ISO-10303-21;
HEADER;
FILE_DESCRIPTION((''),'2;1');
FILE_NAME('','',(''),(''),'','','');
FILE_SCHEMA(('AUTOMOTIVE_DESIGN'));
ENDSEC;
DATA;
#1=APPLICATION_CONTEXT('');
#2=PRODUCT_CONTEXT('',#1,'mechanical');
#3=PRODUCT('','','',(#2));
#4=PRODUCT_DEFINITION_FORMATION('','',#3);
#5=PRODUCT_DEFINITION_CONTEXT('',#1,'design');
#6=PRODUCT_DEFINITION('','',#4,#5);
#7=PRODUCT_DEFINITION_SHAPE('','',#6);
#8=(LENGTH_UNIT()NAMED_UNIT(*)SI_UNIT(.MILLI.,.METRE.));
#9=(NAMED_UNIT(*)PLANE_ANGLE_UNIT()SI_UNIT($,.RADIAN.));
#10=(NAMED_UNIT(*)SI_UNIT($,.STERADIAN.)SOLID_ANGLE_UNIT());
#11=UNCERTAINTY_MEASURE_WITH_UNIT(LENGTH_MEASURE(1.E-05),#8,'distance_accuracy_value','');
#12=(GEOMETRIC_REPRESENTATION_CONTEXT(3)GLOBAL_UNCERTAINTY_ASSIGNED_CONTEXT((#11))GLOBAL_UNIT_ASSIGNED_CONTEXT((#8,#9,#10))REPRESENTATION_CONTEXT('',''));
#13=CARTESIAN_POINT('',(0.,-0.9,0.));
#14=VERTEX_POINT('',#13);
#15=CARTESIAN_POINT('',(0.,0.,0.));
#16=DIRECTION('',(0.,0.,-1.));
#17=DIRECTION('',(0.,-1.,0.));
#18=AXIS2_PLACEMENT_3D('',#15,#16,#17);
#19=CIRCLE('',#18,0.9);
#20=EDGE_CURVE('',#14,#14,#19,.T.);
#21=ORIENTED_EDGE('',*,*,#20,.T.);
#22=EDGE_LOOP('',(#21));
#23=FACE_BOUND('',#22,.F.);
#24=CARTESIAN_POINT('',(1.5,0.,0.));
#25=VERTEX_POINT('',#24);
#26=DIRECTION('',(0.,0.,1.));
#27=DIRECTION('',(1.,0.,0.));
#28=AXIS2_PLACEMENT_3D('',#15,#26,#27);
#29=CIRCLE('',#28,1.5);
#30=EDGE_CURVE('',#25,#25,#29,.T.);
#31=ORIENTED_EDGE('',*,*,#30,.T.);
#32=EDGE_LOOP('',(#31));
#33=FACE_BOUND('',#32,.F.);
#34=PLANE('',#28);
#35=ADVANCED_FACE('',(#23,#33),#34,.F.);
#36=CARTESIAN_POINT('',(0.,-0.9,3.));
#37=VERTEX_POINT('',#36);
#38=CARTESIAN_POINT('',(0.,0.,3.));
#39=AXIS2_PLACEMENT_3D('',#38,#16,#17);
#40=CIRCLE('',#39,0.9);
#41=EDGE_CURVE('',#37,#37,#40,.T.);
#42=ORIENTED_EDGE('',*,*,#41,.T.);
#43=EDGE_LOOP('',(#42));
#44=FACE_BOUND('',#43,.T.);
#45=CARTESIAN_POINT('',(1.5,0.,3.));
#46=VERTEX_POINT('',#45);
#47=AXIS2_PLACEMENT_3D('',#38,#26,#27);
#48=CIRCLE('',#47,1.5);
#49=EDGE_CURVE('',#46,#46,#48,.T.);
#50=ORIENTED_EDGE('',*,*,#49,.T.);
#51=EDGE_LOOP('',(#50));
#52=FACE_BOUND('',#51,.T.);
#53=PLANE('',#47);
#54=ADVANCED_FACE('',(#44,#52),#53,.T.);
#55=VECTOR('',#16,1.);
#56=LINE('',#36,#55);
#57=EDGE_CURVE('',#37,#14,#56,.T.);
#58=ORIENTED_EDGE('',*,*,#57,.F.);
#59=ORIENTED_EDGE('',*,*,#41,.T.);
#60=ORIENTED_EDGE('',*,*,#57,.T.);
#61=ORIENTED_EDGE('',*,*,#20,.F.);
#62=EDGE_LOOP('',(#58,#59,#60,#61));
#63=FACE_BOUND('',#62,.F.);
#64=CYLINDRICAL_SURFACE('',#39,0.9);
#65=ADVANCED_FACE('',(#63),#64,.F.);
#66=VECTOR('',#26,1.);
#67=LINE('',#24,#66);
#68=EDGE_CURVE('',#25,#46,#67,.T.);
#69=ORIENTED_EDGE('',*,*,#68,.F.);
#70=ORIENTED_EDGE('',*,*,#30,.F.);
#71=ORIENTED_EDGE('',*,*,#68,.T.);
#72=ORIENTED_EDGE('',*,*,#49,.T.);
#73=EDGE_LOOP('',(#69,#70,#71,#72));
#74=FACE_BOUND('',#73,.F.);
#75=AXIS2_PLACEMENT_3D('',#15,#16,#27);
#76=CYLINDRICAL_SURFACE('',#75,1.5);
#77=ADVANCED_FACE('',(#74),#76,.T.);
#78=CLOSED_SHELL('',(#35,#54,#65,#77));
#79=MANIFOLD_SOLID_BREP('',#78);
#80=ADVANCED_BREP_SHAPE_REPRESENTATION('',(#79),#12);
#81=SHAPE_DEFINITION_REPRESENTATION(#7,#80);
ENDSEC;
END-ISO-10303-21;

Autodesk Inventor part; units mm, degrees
ref_plane "YZ Plane" through (0, 0, 0) normal (1, 0, 0) x (0, 1, 0)
ref_plane "XZ Plane" through (0, 0, 0) normal (0, 1, 0) x (-1, 0, 0)
ref_plane "XY Plane" through (0, 0, 0) normal (0, 0, 1) x (1, 0, 0)
sketch "スケッチ1" plane through (0, 0, 0) normal (0, 0, 1) x (1, 0, 0)
  circle A0 centre (0, 0) radius 1.5
  dimension "d0" = 3
extrude "押し出し1" add sketch "スケッチ1" along normal blind 3
sketch "スケッチ2" plane through (0, 0, 3) normal (0, 0, 1) x (1, 0, 0)
  point P0 (0, 0)
sketch "スケッチ3" plane through (0, 0, 3) normal (0, 0, 1) x (1, 0, 0)
  point P0 (0, 0)
  point P1 (0, 0)
hole "穴1" at (0, 0, 3) direction (0, 0, -1) diameter 1.8 depth 8.8 tip angle 118
properties part number "20220627_Fan Fixing Parts"
